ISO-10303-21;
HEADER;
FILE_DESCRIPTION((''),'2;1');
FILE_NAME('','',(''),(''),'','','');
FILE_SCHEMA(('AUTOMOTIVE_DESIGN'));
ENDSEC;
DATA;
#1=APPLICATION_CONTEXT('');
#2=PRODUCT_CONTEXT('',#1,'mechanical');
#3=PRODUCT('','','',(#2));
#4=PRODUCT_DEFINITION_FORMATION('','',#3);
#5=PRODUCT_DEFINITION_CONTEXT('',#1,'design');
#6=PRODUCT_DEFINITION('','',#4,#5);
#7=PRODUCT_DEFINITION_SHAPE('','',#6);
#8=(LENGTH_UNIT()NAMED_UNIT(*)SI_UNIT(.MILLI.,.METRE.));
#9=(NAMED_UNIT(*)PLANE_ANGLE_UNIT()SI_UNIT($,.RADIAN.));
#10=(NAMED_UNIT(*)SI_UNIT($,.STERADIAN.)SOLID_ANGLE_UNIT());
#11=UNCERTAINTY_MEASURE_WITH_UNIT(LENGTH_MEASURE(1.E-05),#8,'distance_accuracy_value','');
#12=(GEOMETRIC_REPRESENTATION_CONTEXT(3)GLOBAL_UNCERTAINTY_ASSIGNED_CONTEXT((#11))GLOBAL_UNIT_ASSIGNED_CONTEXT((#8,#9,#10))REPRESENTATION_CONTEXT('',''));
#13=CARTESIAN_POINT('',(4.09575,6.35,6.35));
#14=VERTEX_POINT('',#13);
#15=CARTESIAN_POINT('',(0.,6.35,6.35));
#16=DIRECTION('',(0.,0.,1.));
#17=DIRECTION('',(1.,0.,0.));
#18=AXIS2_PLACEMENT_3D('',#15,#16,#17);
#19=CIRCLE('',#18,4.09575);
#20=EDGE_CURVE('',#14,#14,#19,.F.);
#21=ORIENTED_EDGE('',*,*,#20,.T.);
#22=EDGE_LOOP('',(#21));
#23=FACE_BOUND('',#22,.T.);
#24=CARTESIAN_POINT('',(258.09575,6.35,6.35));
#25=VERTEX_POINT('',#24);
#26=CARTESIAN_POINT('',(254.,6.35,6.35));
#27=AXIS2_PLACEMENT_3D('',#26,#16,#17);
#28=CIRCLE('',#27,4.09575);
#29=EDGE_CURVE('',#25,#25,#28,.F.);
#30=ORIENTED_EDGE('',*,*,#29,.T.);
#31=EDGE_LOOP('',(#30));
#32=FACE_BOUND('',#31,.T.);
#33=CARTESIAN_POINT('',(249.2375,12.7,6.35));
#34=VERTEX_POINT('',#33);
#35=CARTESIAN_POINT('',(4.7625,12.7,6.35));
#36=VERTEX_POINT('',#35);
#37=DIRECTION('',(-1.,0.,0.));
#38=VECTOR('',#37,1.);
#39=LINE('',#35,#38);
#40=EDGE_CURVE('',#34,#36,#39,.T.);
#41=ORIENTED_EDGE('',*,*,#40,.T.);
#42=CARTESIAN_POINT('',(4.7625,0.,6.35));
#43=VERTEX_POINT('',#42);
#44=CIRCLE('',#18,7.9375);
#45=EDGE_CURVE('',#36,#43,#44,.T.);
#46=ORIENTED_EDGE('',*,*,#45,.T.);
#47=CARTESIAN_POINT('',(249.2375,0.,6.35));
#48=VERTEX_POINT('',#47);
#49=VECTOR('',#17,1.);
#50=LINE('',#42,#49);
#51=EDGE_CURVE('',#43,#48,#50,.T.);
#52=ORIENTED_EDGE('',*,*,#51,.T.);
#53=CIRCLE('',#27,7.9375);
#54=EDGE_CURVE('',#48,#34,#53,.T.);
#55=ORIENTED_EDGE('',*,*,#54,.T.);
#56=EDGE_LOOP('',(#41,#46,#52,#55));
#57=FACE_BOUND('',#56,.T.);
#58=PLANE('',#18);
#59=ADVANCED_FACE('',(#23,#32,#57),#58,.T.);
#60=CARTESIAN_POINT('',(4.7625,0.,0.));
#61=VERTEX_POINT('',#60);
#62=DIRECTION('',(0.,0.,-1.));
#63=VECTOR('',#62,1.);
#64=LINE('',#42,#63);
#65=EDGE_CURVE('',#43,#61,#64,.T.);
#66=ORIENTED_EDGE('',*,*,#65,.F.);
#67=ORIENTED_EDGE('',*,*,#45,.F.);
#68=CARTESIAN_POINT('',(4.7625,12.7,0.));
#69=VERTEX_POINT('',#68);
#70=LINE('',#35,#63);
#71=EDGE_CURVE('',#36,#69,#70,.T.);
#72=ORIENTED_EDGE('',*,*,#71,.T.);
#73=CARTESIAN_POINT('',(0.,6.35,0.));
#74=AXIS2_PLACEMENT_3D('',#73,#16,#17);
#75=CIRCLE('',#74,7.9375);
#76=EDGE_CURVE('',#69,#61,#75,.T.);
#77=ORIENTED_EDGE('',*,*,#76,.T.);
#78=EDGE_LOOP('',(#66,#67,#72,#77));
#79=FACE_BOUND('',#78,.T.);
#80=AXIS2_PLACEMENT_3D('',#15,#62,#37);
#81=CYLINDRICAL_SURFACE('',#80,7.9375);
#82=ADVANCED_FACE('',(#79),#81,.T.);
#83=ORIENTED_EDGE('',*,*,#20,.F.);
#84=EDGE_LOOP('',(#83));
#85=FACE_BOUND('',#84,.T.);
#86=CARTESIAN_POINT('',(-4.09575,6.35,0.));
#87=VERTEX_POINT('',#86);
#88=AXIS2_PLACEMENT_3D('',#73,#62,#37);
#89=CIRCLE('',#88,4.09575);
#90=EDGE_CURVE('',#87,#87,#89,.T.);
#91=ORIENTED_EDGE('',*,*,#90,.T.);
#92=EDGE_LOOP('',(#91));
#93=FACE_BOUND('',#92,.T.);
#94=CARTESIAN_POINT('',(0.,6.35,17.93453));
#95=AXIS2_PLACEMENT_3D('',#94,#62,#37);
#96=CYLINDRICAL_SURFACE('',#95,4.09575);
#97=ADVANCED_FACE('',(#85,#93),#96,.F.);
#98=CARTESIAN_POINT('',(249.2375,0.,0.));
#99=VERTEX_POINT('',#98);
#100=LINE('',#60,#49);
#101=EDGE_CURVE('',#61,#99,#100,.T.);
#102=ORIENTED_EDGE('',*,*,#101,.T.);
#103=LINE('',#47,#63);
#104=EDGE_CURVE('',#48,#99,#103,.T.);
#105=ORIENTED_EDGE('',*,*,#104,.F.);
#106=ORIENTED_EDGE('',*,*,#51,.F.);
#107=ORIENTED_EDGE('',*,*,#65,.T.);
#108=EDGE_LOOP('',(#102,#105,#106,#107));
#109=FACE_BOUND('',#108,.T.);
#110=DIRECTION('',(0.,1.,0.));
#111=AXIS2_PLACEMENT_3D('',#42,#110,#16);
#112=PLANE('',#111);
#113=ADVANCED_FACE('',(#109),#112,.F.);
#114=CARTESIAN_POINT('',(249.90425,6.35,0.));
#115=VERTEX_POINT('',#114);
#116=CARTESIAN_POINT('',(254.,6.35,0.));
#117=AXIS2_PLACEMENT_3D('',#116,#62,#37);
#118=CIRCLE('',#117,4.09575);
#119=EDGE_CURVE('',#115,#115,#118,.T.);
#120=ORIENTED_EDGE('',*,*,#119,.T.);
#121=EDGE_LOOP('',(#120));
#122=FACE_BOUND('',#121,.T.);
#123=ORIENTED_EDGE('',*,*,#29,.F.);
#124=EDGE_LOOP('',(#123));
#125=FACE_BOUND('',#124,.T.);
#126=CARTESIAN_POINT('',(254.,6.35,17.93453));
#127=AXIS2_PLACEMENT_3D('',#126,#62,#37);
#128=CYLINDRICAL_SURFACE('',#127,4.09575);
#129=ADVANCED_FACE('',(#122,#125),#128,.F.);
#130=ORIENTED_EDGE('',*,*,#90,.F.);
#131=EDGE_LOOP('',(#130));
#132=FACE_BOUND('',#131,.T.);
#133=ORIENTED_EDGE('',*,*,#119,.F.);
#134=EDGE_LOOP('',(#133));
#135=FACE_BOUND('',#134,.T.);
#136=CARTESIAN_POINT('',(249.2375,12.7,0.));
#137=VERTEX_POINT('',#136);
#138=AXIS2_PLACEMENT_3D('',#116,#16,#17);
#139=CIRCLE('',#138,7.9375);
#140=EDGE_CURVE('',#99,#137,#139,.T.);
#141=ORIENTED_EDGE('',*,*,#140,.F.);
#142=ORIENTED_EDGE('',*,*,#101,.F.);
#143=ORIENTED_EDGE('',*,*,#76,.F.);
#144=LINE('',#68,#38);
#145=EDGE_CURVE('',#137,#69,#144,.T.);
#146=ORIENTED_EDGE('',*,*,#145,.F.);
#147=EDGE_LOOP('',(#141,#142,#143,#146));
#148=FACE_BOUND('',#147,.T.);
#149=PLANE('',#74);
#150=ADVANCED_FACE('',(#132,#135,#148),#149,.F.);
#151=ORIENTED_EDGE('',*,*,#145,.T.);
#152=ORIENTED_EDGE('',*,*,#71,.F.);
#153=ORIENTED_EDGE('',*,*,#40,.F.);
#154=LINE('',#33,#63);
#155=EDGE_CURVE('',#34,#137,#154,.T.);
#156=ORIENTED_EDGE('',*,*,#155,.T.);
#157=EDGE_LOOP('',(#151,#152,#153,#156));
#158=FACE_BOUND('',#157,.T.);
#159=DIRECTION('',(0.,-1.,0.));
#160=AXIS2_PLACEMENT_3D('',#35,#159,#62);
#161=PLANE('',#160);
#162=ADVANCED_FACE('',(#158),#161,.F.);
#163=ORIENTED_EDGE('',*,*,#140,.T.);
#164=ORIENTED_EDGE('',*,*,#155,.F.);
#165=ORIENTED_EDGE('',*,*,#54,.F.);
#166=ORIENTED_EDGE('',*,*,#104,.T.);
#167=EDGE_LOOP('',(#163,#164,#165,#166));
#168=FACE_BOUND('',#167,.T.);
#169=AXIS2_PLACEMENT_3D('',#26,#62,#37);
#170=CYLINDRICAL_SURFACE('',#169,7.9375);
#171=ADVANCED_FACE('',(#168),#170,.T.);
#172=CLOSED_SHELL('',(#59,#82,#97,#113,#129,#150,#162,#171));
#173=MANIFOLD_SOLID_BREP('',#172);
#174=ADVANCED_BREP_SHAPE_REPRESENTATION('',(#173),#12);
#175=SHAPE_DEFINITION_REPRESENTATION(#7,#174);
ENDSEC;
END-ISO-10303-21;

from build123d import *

# Parameters (mm, degrees)
BOSS_EXTRUDE1_DEPTH = 6.35
SKETCH2_R           = 4.09575
CUT_EXTRUDE1_DEPTH  = 6.35


with BuildPart() as part:
    # Sketch1 → Boss-Extrude1 (new body)
    with BuildSketch(Plane.XY):
        with BuildLine():
            Line((4.7625, 0), (249.2375, 0))
            ThreePointArc((249.2375, 0), (261.9375, 6.35), (249.2375, 12.7))
            Line((249.2375, 12.7), (4.7625, 12.7))
            ThreePointArc((4.7625, 12.7), (-7.9375, 6.35), (4.7625, 0))
        make_face()
    extrude(amount=BOSS_EXTRUDE1_DEPTH)

    # Sketch2 → Cut-Extrude1 (cut)
    with BuildSketch(Plane(origin=(0, 0, 0), x_dir=(-1, 0, 0), z_dir=(0, 0, -1))):
        with Locations((-254, 6.35)):
            Circle(SKETCH2_R)
        with Locations((0, 6.35)):
            Circle(SKETCH2_R)
    extrude(amount=-CUT_EXTRUDE1_DEPTH, mode=Mode.SUBTRACT)


solid = part.part
